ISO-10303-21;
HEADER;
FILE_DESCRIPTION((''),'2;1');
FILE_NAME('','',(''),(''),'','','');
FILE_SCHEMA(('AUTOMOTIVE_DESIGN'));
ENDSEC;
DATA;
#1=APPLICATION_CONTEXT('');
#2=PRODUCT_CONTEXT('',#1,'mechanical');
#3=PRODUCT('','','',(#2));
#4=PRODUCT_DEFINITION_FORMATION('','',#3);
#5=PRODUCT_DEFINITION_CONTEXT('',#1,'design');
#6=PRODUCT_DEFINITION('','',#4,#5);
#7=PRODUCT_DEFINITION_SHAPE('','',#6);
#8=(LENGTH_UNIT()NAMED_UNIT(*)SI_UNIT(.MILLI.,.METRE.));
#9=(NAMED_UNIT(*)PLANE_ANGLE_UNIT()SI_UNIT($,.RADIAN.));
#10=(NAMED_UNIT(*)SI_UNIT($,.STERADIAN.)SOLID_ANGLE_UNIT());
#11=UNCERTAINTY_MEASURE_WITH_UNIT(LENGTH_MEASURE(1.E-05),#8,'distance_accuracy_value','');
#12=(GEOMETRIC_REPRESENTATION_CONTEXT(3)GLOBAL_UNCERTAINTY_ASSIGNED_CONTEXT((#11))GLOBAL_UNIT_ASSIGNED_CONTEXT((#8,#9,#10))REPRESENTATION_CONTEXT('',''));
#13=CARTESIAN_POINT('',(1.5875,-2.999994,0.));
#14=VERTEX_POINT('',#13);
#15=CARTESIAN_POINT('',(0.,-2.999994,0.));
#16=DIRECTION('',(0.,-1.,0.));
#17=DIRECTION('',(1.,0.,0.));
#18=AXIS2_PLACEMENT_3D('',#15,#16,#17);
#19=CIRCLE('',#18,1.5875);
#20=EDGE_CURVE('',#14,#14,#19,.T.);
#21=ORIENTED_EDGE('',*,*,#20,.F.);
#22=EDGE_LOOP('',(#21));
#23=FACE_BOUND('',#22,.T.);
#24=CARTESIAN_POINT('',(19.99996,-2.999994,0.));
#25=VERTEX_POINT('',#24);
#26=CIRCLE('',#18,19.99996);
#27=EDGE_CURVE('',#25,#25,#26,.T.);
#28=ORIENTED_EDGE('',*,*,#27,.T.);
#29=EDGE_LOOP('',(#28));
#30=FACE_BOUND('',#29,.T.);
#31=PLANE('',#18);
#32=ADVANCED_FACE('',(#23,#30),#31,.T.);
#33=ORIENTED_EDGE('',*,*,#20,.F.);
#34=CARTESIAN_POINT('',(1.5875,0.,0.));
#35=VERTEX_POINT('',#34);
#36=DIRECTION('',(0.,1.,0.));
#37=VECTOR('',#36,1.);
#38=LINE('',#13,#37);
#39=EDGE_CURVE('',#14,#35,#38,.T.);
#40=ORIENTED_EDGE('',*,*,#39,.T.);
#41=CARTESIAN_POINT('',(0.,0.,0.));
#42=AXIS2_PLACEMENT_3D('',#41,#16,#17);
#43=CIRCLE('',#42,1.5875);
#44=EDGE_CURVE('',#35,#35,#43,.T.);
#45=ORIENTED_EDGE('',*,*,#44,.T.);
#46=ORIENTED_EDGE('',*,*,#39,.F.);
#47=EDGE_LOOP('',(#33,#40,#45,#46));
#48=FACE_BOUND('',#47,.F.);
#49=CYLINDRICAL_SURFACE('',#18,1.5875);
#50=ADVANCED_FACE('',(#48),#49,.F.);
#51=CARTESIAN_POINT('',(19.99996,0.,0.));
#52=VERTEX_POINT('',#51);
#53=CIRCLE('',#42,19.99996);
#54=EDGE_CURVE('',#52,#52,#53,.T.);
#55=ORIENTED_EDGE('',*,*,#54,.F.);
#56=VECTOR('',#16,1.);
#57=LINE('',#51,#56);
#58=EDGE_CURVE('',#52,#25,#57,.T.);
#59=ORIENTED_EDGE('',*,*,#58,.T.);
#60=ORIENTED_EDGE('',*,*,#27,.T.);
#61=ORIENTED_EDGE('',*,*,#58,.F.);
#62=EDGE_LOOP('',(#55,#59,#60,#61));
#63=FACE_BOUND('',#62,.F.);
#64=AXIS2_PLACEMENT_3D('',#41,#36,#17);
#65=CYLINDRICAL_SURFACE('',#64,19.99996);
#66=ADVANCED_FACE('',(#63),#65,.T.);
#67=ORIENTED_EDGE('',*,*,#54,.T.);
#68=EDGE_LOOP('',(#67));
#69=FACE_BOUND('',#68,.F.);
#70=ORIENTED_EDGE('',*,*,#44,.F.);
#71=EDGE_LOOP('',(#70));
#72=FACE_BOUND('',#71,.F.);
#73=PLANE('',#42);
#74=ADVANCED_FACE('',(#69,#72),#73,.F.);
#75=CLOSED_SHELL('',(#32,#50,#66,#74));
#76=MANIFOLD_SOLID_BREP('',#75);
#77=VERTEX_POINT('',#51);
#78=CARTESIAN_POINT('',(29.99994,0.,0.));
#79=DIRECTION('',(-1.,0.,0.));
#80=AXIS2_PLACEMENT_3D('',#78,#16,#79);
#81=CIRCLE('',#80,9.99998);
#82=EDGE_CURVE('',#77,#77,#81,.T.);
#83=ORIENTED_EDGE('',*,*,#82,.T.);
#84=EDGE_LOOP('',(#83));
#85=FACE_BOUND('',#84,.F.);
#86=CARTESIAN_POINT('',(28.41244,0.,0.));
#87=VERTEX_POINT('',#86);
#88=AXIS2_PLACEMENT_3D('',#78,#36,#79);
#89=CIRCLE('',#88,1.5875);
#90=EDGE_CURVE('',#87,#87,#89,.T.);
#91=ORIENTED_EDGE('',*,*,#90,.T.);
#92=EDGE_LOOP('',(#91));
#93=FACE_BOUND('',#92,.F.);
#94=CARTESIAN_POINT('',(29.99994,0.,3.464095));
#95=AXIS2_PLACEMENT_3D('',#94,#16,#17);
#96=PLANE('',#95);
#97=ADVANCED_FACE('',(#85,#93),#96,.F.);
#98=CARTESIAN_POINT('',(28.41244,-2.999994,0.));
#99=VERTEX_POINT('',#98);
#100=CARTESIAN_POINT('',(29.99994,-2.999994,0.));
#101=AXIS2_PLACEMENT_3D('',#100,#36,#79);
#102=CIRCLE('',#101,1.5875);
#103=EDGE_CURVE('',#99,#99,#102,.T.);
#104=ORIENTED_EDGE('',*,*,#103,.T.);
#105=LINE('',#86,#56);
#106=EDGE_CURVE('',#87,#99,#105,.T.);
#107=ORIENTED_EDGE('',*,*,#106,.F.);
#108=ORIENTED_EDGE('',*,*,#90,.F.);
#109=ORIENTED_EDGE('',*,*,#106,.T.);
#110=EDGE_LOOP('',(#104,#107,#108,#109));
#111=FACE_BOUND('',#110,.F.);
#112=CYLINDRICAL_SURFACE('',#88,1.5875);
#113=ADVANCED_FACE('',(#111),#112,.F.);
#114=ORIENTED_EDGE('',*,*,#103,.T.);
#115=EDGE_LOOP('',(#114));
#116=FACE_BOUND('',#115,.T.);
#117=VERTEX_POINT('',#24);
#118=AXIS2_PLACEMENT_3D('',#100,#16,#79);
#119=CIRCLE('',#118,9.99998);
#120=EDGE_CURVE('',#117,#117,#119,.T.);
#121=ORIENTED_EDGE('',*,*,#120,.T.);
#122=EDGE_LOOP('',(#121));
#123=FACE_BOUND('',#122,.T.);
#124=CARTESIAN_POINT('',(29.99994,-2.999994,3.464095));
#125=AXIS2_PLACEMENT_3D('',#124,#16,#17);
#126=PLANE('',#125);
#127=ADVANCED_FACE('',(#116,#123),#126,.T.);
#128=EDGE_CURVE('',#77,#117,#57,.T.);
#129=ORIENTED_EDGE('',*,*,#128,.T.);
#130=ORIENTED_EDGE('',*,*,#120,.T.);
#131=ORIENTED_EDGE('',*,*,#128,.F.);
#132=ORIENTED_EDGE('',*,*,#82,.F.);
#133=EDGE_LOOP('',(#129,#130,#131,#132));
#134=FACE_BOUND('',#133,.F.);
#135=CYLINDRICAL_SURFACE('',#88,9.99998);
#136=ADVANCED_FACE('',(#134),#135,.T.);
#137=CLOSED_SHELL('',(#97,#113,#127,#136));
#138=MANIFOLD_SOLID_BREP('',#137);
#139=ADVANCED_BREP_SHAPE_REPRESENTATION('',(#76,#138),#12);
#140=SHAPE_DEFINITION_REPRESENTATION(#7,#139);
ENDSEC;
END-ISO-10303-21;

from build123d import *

# Parameters (mm, degrees)
F0_R     = 19.99996
F1_DEPTH = 2.999994
F2_R     = 1.5875
F3_DEPTH = 25.4
F4_R     = 1.5875
F5_DEPTH = 25.4


with BuildPart() as f1:
    # F0 (on Front) → F1 (new body)
    with BuildSketch(Plane.XZ):
        Circle(F0_R)
        with BuildLine():
            ThreePointArc((39.99992, 0), (29.99994, 9.99998), (19.99996, 0))
            Line((19.99996, 0), (39.99992, 0))
        make_face()
        with BuildLine():
            Line((39.99992, 0), (19.99996, 0))
            ThreePointArc((19.99996, 0), (29.99994, -9.99998), (39.99992, 0))
        make_face()
    extrude(amount=F1_DEPTH)

    # F2 (on face) → F3 (cut)
    with BuildSketch(Plane.XZ.offset(2.999994)):
        Circle(F2_R)
    extrude(amount=-F3_DEPTH, mode=Mode.SUBTRACT)

    # F4 (on face) → F5 (cut)
    with BuildSketch(Plane(origin=(0, 0, 0), x_dir=(-1, 0, 0), z_dir=(0, 1, 0))):
        with Locations((-29.99994, 0)):
            Circle(F4_R)
    extrude(amount=-F5_DEPTH, mode=Mode.SUBTRACT)


solid = f1.part
